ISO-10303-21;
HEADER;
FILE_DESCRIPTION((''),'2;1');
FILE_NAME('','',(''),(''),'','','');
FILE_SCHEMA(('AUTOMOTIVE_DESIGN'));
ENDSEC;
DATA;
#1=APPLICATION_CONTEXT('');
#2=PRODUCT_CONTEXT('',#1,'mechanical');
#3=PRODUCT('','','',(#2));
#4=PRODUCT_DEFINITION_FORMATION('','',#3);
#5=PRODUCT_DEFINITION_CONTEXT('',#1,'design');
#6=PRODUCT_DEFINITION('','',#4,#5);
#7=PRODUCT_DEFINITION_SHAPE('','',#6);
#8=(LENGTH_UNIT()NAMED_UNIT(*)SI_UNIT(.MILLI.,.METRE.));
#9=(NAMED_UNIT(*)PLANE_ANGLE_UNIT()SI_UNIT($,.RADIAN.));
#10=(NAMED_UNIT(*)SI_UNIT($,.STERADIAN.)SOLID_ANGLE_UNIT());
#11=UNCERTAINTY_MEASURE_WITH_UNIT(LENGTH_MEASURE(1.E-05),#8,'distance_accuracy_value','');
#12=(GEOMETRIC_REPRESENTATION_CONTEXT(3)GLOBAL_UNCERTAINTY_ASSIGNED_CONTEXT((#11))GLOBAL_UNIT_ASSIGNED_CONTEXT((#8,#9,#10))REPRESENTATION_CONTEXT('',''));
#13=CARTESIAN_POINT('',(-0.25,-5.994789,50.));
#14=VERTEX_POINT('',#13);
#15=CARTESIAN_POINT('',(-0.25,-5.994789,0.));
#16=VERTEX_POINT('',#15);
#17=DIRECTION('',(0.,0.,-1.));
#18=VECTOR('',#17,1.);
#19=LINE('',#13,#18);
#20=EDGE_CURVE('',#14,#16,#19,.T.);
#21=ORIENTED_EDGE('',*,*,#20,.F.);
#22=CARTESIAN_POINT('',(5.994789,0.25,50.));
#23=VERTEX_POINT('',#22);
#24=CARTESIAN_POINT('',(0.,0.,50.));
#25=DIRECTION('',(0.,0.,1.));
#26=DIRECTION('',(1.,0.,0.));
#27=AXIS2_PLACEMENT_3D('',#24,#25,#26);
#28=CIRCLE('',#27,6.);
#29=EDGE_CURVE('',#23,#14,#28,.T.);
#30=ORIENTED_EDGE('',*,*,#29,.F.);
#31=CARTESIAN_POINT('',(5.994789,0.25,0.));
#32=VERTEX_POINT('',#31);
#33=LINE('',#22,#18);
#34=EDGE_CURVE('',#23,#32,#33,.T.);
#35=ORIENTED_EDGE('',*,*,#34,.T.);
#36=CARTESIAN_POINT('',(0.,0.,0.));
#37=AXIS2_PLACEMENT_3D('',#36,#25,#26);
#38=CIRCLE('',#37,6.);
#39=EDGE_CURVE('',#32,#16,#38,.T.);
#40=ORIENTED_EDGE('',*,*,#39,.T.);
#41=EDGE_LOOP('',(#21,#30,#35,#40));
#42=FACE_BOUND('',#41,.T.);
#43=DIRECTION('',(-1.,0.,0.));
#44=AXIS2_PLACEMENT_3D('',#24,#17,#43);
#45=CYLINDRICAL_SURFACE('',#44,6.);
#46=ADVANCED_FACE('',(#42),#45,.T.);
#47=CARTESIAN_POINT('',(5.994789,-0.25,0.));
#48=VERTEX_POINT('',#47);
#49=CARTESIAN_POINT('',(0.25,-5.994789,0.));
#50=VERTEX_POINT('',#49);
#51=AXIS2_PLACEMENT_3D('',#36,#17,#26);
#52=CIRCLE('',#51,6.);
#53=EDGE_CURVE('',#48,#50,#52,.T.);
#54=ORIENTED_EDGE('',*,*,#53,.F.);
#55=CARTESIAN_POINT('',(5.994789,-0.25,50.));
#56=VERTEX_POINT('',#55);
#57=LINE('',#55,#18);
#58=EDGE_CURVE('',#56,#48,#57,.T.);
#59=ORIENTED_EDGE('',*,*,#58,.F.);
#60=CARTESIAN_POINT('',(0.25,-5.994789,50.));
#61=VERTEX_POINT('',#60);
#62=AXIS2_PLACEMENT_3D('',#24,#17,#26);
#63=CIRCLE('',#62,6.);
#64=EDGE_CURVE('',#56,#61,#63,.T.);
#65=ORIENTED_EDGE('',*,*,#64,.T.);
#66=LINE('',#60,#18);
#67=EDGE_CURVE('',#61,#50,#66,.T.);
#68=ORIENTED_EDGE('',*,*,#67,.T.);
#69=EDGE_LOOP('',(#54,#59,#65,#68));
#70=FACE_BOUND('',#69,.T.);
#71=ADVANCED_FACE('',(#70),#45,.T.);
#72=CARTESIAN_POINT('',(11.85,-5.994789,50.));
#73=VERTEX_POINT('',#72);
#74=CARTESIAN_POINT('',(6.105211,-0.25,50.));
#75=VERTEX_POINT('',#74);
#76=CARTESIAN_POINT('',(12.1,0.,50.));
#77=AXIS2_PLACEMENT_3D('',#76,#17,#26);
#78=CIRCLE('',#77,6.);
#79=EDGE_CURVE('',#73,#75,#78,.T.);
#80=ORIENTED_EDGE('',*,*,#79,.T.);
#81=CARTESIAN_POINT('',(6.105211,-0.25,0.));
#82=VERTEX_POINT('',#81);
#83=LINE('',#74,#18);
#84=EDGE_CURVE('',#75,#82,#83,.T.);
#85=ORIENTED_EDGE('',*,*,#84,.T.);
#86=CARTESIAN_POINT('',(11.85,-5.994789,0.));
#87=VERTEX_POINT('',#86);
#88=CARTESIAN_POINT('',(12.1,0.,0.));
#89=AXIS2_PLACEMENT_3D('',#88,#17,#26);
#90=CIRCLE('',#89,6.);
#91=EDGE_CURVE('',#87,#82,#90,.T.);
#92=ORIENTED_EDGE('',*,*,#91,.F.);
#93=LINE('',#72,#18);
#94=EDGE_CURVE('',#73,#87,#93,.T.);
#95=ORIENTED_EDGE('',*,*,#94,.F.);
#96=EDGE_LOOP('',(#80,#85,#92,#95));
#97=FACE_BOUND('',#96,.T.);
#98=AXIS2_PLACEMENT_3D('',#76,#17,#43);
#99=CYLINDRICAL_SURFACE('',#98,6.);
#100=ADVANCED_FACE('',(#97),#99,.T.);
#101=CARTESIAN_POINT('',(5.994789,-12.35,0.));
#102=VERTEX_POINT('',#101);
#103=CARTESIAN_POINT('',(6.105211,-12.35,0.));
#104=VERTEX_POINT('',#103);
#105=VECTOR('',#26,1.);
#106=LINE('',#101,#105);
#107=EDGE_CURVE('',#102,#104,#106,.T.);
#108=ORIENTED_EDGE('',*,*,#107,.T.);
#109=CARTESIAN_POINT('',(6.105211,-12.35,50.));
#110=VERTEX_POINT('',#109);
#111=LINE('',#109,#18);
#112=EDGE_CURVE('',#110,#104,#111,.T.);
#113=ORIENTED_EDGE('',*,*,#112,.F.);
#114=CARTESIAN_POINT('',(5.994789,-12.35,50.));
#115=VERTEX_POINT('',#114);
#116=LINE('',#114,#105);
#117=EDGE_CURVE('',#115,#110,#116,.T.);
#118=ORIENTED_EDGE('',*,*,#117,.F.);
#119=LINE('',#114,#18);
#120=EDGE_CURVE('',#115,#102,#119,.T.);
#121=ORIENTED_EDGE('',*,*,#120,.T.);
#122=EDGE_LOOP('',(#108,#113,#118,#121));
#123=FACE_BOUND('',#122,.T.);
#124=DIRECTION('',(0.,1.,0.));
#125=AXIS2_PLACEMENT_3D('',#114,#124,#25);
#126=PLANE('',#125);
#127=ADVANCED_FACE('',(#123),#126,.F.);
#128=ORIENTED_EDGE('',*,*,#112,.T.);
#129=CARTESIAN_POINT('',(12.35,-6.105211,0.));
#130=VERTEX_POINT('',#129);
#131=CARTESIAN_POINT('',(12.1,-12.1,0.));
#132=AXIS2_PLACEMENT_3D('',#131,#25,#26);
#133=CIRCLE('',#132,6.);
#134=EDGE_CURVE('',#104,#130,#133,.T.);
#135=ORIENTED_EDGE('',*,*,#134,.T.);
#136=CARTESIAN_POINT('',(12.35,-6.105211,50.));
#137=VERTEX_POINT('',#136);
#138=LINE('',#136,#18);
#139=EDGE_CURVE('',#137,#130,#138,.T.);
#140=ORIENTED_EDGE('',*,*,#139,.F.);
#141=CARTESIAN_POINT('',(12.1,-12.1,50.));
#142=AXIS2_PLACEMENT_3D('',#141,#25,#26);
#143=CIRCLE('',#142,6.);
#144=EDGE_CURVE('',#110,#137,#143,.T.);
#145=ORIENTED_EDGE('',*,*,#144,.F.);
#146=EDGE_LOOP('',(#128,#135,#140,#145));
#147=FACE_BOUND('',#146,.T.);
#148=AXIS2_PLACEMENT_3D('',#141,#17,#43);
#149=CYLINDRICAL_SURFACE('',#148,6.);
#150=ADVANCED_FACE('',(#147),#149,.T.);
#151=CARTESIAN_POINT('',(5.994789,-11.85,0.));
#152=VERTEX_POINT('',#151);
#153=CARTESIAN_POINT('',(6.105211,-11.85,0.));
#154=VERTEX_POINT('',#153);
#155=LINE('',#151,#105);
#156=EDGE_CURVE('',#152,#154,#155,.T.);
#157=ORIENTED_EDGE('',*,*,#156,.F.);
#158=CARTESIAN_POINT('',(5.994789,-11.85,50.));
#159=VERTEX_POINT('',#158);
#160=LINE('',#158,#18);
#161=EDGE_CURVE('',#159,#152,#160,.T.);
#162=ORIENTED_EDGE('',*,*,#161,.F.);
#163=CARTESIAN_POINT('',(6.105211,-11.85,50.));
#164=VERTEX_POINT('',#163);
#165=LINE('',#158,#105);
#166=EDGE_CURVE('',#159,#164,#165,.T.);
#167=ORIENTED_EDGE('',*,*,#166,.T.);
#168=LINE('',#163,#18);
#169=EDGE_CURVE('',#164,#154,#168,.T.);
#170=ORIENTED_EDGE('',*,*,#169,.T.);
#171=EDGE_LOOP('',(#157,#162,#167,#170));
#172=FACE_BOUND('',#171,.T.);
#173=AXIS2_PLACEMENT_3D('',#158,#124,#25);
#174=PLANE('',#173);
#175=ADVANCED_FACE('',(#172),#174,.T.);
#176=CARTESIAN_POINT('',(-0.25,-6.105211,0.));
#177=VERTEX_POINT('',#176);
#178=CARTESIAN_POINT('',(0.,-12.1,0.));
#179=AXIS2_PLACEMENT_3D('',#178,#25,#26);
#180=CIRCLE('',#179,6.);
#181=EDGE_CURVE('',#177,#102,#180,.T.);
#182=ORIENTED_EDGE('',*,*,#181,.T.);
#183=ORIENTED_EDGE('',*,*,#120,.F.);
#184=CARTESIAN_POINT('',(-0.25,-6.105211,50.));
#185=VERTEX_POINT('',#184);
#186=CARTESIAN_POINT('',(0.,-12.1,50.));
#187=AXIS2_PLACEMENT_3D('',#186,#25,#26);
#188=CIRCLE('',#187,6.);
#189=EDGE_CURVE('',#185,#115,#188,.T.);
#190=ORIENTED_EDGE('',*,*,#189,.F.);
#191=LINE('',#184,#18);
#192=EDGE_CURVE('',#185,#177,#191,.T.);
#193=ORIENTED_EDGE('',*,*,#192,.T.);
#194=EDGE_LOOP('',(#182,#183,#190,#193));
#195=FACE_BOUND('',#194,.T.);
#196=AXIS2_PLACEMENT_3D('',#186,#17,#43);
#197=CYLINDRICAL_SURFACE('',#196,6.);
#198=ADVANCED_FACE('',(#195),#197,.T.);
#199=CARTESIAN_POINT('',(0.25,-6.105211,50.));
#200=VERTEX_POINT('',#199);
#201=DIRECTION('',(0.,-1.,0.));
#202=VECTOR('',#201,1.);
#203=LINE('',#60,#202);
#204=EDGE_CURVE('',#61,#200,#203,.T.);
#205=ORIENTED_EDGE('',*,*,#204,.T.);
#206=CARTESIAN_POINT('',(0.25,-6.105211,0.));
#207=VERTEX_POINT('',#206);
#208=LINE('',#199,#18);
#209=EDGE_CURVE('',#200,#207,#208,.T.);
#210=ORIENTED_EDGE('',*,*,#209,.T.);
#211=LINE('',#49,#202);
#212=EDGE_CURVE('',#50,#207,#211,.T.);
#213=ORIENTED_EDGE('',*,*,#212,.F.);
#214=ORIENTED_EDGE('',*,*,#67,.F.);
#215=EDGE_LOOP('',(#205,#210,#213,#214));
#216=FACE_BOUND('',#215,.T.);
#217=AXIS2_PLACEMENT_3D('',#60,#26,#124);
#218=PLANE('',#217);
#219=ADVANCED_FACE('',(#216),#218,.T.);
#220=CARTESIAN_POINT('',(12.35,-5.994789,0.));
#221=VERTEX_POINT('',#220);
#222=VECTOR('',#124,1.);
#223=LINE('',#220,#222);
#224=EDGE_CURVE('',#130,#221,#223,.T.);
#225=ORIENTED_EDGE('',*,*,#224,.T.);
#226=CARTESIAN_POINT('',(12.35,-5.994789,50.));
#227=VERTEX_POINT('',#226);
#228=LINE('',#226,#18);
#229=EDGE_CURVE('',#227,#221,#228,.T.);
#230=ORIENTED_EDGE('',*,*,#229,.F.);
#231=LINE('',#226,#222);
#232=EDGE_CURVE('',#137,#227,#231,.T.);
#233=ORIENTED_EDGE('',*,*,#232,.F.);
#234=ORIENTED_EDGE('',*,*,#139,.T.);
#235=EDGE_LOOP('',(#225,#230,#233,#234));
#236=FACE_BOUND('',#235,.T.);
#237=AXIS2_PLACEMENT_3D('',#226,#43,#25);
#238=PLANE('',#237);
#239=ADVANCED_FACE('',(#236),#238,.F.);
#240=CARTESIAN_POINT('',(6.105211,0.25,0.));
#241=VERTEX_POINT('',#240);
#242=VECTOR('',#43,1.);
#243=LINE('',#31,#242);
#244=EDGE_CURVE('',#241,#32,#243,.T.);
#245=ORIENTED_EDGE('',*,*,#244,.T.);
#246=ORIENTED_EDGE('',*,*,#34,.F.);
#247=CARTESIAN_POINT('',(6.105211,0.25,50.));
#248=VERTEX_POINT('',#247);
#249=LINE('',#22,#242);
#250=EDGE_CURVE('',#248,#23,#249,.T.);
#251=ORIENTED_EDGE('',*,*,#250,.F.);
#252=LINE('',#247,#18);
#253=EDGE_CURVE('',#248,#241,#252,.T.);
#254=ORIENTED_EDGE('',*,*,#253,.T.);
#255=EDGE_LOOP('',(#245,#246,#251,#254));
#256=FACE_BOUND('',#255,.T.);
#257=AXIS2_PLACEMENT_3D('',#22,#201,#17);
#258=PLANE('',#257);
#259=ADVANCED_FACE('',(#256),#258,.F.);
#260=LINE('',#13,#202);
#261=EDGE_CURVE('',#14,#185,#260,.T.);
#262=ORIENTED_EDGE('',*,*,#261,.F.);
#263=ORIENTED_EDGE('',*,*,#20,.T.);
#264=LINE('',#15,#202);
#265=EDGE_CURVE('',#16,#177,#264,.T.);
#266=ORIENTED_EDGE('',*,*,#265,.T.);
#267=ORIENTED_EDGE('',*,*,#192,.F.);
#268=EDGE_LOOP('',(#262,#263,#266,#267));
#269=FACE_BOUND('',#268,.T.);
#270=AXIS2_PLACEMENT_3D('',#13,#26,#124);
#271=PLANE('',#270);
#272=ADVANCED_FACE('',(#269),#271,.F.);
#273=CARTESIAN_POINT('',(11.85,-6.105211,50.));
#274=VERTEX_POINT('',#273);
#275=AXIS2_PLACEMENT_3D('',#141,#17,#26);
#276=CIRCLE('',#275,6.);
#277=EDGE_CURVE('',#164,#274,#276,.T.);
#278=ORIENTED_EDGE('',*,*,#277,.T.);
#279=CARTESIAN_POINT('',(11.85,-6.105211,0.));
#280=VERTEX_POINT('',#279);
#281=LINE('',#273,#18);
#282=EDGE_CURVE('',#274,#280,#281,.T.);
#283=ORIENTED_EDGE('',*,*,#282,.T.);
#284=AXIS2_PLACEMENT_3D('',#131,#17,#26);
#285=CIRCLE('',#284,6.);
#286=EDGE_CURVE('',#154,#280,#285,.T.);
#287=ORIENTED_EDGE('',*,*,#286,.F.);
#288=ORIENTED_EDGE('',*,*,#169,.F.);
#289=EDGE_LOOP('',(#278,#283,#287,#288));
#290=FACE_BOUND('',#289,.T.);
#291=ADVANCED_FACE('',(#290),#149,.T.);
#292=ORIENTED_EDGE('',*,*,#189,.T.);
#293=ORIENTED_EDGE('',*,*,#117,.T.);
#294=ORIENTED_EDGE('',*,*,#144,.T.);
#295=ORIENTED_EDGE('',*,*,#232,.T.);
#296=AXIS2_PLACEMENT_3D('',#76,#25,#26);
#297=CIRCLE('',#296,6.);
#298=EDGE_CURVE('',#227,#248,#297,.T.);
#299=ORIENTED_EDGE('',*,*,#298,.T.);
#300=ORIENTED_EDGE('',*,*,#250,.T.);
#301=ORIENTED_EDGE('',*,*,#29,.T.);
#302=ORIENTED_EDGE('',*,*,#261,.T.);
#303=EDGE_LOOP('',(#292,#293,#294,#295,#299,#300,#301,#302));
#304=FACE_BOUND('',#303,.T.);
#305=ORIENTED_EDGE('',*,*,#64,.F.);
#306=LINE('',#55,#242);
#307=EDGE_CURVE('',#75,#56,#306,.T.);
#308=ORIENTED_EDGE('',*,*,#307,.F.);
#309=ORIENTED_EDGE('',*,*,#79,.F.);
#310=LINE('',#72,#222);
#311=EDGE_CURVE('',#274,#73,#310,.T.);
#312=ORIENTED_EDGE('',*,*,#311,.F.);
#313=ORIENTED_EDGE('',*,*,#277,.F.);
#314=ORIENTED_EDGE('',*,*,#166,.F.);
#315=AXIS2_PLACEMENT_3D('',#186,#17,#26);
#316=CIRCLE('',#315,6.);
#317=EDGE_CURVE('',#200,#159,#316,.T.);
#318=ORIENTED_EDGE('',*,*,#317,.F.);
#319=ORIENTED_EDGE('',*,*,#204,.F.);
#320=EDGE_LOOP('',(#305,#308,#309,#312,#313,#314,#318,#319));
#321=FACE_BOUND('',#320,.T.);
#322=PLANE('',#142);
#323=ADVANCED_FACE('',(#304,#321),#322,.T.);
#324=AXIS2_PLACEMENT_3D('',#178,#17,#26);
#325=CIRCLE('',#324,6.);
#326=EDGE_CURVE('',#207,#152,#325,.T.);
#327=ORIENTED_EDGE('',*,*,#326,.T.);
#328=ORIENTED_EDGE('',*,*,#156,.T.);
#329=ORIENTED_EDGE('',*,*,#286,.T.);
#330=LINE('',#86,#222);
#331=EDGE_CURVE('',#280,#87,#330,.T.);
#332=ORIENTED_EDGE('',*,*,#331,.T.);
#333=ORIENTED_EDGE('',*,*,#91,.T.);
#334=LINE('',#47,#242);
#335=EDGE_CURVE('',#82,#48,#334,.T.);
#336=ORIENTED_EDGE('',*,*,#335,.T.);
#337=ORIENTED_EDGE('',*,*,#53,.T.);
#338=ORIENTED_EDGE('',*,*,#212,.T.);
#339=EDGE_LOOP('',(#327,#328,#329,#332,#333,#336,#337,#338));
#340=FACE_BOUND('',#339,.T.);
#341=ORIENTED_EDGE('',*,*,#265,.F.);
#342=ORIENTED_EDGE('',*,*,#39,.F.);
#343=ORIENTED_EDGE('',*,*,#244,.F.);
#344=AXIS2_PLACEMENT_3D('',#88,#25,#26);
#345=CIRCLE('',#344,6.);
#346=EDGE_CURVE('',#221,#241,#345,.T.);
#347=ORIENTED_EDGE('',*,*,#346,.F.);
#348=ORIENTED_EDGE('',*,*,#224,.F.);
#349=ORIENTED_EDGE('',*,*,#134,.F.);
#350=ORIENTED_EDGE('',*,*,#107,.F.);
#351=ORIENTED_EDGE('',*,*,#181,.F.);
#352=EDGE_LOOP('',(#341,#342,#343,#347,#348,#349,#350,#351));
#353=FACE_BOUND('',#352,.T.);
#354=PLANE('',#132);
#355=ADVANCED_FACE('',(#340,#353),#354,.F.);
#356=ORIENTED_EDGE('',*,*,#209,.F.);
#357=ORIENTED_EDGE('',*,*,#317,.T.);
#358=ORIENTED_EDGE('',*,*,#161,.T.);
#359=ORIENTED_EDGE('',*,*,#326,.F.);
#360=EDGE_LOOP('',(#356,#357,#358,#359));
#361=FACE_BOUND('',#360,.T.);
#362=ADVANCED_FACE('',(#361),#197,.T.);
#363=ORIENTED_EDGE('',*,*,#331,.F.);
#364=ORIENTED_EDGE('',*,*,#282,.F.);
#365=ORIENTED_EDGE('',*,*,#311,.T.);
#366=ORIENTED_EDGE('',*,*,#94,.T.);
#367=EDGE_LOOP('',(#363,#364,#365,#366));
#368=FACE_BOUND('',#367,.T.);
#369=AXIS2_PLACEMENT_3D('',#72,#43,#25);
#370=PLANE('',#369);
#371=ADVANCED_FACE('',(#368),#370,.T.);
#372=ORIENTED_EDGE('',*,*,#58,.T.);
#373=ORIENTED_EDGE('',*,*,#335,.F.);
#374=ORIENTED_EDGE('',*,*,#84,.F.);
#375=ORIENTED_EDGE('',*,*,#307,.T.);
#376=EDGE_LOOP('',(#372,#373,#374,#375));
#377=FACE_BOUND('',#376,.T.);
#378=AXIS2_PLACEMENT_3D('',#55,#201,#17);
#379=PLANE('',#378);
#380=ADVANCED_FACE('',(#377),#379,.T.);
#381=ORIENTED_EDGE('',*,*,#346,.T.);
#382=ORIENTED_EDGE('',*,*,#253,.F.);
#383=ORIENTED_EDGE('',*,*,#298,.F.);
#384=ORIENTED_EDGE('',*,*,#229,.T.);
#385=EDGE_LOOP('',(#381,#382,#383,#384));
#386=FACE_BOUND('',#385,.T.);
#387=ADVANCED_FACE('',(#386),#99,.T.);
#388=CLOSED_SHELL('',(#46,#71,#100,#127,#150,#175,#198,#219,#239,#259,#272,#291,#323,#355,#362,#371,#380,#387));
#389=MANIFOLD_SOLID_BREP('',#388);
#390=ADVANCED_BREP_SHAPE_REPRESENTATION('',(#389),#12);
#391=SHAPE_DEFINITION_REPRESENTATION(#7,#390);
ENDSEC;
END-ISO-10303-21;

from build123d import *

# Parameters (mm, degrees)
BOSS_EXTRUDE1_DEPTH = 50


with BuildPart() as part:
    # Sketch1 → Boss-Extrude1 (new body)
    with BuildSketch(Plane.XY):
        with BuildLine():
            Line((5.994789404, 0.25), (6.105210596, 0.25))
            ThreePointArc((6.105210596, 0.25), (16.342640687, 4.242640687), (12.35, -5.994789404))
            Line((12.35, -5.994789404), (12.35, -6.105210596))
            ThreePointArc((12.35, -6.105210596), (16.342640687, -16.342640687), (6.105210596, -12.35))
            Line((6.105210596, -12.35), (5.994789404, -12.35))
            ThreePointArc((5.994789404, -12.35), (-4.242640687, -16.342640687), (-0.25, -6.105210596))
            Line((-0.25, -6.105210596), (-0.25, -5.994789404))
            ThreePointArc((-0.25, -5.994789404), (-4.242640687, 4.242640687), (5.994789404, 0.25))
        make_face()
        with BuildLine():
            Line((5.994789404, -0.25), (6.105210596, -0.25))
            ThreePointArc((6.105210596, -0.25), (7.857359313, -4.242640687), (11.85, -5.994789404))
            Line((11.85, -5.994789404), (11.85, -6.105210596))
            ThreePointArc((11.85, -6.105210596), (7.857359313, -7.857359313), (6.105210596, -11.85))
            Line((6.105210596, -11.85), (5.994789404, -11.85))
            ThreePointArc((5.994789404, -11.85), (4.242640687, -7.857359313), (0.25, -6.105210596))
            Line((0.25, -6.105210596), (0.25, -5.994789404))
            ThreePointArc((0.25, -5.994789404), (4.242640687, -4.242640687), (5.994789404, -0.25))
        make_face(mode=Mode.SUBTRACT)
    extrude(amount=BOSS_EXTRUDE1_DEPTH)


solid = part.part
